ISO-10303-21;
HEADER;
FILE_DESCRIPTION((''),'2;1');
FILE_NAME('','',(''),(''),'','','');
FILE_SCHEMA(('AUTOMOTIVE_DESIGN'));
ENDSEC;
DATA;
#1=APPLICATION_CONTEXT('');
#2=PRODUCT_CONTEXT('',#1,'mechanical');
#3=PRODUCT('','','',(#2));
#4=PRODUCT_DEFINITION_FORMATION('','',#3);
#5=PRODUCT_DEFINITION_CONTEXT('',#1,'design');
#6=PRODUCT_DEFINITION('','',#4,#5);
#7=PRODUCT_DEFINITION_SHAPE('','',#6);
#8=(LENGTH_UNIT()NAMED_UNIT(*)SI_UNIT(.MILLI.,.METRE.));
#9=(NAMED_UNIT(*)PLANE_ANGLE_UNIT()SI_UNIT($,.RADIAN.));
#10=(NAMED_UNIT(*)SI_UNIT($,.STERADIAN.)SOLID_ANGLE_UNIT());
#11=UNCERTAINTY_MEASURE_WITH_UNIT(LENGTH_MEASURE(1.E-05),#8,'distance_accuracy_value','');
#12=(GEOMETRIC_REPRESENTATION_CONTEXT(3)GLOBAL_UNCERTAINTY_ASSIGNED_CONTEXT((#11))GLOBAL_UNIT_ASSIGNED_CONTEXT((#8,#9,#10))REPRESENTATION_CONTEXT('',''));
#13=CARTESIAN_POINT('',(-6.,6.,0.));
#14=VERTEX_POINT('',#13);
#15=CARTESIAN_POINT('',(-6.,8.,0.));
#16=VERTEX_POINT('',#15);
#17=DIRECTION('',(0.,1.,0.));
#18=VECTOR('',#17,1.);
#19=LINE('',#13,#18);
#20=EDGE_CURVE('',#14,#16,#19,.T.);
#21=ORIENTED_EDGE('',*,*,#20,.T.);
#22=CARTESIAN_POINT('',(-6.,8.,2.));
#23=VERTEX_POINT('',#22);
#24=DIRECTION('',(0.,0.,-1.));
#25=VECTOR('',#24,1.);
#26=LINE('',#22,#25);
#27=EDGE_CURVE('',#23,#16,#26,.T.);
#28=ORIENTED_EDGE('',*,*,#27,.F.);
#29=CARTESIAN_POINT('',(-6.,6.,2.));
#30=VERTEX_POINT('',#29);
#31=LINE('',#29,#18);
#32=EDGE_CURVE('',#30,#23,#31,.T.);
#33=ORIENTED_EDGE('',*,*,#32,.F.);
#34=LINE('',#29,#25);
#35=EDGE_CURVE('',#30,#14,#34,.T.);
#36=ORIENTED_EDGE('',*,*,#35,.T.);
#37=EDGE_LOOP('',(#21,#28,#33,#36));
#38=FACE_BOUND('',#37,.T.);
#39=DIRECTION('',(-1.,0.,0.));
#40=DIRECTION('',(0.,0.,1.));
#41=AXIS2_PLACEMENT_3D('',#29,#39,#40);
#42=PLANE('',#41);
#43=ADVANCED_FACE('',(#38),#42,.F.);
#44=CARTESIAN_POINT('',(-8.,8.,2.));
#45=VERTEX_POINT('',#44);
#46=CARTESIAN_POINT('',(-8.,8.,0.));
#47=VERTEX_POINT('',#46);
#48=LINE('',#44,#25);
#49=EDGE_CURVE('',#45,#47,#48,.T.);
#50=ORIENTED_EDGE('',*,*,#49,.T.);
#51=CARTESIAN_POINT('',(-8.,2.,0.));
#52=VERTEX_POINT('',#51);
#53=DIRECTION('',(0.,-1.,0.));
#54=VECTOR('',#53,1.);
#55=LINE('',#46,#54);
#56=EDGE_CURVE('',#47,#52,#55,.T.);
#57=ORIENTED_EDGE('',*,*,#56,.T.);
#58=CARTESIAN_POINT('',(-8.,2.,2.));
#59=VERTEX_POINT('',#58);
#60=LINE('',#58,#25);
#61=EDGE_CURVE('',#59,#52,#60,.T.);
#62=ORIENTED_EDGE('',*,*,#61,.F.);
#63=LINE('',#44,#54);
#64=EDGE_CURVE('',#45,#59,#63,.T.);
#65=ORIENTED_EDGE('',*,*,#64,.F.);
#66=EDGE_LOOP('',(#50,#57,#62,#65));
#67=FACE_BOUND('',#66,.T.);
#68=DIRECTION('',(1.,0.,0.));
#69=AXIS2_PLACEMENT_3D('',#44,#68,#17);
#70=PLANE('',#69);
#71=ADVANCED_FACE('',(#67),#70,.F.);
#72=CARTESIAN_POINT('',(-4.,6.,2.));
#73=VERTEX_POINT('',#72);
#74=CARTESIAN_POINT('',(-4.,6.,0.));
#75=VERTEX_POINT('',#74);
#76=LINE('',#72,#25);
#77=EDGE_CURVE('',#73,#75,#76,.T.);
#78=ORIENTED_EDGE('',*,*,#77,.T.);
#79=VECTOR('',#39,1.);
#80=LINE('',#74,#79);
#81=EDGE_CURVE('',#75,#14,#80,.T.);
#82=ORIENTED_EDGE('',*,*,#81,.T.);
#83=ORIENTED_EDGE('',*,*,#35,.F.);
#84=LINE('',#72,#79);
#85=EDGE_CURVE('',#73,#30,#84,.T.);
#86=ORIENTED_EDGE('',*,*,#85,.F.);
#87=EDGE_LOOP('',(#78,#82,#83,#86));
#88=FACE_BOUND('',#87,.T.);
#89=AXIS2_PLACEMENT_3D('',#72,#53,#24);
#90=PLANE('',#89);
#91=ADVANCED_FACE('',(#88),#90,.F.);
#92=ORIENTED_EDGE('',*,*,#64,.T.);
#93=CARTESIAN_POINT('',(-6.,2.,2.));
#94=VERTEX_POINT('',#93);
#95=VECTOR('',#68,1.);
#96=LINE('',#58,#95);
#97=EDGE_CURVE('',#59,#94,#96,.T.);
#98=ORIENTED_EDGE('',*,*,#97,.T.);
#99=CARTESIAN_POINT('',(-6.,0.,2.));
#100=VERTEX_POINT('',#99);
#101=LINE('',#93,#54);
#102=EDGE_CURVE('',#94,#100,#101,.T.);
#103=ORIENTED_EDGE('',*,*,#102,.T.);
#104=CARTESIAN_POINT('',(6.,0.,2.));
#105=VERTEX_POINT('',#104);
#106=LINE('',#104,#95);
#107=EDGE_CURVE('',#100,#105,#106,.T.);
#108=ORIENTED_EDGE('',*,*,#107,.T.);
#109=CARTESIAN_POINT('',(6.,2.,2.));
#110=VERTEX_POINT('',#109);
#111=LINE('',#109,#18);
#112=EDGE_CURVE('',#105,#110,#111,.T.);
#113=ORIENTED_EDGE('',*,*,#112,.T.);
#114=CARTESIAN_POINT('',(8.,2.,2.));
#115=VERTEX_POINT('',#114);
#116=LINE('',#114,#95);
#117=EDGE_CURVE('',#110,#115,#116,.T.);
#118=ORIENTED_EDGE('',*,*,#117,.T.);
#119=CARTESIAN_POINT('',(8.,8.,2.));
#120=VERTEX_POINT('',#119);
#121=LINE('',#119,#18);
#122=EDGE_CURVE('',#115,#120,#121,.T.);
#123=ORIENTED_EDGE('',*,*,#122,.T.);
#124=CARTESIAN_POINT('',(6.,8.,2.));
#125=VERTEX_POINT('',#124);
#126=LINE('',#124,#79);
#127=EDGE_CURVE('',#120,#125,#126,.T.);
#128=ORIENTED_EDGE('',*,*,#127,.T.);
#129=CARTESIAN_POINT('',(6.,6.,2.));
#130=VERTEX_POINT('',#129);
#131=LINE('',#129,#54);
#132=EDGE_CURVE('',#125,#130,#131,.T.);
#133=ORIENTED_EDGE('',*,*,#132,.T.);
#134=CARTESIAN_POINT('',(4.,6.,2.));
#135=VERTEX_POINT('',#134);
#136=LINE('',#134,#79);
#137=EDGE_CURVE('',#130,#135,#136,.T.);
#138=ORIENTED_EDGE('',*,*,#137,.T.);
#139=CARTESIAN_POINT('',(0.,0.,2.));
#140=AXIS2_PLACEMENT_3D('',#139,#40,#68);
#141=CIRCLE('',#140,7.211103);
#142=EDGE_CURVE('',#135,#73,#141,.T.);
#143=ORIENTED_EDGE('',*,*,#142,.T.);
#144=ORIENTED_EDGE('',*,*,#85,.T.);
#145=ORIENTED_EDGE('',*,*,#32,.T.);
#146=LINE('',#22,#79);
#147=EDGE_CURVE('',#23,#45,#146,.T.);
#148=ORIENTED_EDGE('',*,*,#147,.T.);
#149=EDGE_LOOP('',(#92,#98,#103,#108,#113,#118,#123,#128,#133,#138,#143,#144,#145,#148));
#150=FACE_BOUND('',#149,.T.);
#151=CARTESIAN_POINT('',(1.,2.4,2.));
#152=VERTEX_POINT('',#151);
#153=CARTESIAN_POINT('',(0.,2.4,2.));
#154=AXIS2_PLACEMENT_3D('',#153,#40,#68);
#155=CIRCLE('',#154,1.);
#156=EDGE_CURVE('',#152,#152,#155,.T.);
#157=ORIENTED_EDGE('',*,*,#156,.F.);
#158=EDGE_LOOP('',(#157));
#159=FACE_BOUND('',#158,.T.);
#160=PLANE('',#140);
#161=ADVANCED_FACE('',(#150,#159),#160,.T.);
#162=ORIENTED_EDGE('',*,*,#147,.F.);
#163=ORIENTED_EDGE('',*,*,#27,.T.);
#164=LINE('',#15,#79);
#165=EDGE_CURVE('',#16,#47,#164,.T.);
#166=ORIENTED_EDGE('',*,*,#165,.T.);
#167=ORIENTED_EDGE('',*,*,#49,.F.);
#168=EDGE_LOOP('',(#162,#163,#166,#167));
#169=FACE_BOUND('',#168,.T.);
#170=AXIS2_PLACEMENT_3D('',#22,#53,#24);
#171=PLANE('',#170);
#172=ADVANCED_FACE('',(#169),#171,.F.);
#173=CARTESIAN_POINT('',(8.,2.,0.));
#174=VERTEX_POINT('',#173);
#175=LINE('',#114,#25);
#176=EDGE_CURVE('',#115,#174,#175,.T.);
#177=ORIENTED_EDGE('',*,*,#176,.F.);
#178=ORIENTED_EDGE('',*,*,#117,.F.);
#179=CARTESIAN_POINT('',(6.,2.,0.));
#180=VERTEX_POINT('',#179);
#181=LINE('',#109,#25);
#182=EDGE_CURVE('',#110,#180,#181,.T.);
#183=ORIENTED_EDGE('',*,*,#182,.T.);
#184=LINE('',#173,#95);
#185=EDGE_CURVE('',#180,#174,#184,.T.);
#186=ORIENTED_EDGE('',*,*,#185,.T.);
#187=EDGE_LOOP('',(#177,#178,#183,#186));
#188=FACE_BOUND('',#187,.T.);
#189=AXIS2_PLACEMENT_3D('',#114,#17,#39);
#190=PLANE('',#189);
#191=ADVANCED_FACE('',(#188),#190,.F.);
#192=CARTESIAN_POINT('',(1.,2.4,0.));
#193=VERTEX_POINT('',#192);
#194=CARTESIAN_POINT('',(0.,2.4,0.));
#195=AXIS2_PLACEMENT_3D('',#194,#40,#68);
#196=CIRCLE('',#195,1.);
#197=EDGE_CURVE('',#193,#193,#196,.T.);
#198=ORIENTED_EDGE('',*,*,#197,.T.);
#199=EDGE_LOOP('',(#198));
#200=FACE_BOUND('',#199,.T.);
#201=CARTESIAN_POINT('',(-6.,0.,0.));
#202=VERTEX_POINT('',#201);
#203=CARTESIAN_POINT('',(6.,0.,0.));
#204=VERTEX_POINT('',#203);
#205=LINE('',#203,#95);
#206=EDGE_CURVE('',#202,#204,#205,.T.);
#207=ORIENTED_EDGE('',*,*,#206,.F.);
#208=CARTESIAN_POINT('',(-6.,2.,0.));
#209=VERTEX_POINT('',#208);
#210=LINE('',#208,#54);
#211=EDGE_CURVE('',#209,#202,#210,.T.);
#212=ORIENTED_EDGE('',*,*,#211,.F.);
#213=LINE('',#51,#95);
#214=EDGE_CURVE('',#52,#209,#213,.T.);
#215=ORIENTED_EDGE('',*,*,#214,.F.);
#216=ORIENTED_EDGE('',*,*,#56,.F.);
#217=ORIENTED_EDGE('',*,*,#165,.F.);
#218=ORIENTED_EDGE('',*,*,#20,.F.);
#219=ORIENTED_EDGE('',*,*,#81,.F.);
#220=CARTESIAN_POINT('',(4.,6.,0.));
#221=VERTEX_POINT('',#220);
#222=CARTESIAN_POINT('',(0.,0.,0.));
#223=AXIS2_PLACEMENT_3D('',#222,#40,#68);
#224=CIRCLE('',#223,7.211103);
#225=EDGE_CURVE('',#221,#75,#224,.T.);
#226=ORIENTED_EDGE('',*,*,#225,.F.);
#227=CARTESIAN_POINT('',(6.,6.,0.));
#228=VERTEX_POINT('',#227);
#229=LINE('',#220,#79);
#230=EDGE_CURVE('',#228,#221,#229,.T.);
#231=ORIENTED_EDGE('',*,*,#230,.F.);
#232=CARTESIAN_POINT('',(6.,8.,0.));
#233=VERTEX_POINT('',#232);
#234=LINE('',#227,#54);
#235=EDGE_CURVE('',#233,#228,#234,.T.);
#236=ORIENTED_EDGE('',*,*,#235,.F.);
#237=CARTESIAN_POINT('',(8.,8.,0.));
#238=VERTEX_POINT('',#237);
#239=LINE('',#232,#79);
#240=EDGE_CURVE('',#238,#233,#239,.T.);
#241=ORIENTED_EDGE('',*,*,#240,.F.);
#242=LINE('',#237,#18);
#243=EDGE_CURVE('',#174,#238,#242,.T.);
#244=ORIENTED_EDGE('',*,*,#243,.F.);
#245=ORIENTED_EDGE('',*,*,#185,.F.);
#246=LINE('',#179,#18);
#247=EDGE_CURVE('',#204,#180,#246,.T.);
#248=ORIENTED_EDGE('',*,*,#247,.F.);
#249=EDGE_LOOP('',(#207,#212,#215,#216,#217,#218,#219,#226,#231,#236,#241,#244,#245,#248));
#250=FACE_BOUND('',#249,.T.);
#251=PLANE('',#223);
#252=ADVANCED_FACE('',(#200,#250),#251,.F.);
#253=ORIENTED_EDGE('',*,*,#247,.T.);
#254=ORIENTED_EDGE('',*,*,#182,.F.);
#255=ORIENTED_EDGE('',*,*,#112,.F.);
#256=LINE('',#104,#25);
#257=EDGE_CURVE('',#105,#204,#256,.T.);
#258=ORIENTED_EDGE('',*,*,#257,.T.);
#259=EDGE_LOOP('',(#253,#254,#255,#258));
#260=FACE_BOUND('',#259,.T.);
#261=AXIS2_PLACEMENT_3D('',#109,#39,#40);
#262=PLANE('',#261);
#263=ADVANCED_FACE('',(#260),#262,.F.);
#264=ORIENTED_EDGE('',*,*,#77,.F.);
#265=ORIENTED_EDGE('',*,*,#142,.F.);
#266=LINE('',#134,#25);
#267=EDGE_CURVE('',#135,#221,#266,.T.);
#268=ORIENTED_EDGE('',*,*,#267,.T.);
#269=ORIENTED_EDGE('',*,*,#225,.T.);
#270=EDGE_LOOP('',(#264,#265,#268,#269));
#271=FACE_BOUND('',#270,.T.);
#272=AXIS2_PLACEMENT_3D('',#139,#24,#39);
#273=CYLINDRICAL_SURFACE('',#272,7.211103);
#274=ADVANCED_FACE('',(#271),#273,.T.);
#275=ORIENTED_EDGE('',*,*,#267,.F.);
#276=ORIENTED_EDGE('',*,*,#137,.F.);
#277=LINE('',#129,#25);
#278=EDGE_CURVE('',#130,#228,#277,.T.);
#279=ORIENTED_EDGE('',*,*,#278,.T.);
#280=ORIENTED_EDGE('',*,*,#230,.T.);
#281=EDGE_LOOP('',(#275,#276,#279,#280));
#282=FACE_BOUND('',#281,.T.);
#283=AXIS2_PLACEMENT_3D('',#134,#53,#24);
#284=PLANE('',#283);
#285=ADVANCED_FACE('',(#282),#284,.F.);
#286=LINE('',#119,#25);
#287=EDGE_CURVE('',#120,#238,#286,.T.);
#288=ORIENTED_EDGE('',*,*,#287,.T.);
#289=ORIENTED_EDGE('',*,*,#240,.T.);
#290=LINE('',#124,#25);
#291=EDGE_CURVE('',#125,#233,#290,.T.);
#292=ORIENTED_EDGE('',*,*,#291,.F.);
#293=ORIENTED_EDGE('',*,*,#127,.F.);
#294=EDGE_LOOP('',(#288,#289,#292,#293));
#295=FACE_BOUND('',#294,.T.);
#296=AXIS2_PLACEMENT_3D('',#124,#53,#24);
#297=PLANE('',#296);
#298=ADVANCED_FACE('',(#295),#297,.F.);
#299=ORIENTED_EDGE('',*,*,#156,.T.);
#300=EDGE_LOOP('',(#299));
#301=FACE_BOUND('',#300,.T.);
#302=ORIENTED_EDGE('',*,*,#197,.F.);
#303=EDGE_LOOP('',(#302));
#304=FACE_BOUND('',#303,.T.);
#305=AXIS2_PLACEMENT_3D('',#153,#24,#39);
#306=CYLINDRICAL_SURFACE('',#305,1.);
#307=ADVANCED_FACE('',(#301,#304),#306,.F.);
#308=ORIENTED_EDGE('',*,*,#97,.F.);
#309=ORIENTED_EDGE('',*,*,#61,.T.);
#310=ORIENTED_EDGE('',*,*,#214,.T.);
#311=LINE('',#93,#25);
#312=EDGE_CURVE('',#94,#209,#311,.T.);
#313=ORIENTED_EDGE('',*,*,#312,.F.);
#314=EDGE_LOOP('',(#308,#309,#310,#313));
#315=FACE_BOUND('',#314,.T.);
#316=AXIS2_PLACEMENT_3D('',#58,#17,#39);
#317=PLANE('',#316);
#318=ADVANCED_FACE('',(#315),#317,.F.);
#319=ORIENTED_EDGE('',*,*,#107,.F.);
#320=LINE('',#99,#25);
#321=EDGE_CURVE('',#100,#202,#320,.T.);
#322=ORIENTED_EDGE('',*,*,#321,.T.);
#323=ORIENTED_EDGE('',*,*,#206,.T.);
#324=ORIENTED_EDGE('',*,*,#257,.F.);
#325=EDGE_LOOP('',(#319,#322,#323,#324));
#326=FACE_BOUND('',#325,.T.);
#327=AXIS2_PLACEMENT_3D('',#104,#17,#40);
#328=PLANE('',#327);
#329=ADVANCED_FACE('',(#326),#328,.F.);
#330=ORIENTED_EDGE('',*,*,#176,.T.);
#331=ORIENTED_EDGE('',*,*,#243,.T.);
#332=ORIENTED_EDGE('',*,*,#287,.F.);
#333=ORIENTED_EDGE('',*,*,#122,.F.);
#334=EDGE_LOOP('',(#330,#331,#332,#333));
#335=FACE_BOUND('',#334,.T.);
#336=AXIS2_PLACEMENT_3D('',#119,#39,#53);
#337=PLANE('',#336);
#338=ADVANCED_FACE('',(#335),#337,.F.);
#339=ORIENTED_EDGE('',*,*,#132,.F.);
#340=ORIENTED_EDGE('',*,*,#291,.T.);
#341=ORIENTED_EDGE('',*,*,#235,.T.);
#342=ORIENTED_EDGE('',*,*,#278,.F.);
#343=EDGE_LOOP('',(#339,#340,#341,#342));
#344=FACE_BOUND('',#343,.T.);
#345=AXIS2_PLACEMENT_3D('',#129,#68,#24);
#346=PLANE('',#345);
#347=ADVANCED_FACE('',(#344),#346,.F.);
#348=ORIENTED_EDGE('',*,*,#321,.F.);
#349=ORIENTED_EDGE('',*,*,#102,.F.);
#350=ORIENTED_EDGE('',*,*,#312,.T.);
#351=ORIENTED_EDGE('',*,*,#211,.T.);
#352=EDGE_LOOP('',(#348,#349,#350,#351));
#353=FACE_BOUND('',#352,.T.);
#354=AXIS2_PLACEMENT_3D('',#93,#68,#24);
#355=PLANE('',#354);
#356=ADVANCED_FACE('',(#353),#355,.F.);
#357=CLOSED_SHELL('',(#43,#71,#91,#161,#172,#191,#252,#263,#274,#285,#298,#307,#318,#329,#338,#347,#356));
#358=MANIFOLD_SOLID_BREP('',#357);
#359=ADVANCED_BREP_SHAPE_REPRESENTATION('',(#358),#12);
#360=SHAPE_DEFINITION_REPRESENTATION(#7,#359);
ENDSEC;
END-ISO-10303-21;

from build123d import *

# Parameters (mm, degrees)
SKETCH1_R           = 1
BOSS_EXTRUDE1_DEPTH = 2


with BuildPart() as part:
    # Sketch1 → Boss-Extrude1 (new body)
    with BuildSketch(Plane.XY):
        with BuildLine():
            Line((4, 6), (6, 6))
            Line((6, 6), (6, 8))
            Line((6, 8), (8, 8))
            Line((8, 8), (8, 2))
            Line((8, 2), (6, 2))
            Line((6, 2), (6, 0))
            Line((6, 0), (-6, 0))
            Line((-6, 0), (-6, 2))
            Line((-6, 2), (-8, 2))
            Line((-8, 2), (-8, 8))
            Line((-8, 8), (-6, 8))
            Line((-6, 8), (-6, 6))
            Line((-6, 6), (-4, 6))
            ThreePointArc((-4, 6), (0, 7.211102551), (4, 6))
        make_face()
        with Locations((0, 2.4)):
            Circle(SKETCH1_R, mode=Mode.SUBTRACT)
    extrude(amount=BOSS_EXTRUDE1_DEPTH)


solid = part.part
